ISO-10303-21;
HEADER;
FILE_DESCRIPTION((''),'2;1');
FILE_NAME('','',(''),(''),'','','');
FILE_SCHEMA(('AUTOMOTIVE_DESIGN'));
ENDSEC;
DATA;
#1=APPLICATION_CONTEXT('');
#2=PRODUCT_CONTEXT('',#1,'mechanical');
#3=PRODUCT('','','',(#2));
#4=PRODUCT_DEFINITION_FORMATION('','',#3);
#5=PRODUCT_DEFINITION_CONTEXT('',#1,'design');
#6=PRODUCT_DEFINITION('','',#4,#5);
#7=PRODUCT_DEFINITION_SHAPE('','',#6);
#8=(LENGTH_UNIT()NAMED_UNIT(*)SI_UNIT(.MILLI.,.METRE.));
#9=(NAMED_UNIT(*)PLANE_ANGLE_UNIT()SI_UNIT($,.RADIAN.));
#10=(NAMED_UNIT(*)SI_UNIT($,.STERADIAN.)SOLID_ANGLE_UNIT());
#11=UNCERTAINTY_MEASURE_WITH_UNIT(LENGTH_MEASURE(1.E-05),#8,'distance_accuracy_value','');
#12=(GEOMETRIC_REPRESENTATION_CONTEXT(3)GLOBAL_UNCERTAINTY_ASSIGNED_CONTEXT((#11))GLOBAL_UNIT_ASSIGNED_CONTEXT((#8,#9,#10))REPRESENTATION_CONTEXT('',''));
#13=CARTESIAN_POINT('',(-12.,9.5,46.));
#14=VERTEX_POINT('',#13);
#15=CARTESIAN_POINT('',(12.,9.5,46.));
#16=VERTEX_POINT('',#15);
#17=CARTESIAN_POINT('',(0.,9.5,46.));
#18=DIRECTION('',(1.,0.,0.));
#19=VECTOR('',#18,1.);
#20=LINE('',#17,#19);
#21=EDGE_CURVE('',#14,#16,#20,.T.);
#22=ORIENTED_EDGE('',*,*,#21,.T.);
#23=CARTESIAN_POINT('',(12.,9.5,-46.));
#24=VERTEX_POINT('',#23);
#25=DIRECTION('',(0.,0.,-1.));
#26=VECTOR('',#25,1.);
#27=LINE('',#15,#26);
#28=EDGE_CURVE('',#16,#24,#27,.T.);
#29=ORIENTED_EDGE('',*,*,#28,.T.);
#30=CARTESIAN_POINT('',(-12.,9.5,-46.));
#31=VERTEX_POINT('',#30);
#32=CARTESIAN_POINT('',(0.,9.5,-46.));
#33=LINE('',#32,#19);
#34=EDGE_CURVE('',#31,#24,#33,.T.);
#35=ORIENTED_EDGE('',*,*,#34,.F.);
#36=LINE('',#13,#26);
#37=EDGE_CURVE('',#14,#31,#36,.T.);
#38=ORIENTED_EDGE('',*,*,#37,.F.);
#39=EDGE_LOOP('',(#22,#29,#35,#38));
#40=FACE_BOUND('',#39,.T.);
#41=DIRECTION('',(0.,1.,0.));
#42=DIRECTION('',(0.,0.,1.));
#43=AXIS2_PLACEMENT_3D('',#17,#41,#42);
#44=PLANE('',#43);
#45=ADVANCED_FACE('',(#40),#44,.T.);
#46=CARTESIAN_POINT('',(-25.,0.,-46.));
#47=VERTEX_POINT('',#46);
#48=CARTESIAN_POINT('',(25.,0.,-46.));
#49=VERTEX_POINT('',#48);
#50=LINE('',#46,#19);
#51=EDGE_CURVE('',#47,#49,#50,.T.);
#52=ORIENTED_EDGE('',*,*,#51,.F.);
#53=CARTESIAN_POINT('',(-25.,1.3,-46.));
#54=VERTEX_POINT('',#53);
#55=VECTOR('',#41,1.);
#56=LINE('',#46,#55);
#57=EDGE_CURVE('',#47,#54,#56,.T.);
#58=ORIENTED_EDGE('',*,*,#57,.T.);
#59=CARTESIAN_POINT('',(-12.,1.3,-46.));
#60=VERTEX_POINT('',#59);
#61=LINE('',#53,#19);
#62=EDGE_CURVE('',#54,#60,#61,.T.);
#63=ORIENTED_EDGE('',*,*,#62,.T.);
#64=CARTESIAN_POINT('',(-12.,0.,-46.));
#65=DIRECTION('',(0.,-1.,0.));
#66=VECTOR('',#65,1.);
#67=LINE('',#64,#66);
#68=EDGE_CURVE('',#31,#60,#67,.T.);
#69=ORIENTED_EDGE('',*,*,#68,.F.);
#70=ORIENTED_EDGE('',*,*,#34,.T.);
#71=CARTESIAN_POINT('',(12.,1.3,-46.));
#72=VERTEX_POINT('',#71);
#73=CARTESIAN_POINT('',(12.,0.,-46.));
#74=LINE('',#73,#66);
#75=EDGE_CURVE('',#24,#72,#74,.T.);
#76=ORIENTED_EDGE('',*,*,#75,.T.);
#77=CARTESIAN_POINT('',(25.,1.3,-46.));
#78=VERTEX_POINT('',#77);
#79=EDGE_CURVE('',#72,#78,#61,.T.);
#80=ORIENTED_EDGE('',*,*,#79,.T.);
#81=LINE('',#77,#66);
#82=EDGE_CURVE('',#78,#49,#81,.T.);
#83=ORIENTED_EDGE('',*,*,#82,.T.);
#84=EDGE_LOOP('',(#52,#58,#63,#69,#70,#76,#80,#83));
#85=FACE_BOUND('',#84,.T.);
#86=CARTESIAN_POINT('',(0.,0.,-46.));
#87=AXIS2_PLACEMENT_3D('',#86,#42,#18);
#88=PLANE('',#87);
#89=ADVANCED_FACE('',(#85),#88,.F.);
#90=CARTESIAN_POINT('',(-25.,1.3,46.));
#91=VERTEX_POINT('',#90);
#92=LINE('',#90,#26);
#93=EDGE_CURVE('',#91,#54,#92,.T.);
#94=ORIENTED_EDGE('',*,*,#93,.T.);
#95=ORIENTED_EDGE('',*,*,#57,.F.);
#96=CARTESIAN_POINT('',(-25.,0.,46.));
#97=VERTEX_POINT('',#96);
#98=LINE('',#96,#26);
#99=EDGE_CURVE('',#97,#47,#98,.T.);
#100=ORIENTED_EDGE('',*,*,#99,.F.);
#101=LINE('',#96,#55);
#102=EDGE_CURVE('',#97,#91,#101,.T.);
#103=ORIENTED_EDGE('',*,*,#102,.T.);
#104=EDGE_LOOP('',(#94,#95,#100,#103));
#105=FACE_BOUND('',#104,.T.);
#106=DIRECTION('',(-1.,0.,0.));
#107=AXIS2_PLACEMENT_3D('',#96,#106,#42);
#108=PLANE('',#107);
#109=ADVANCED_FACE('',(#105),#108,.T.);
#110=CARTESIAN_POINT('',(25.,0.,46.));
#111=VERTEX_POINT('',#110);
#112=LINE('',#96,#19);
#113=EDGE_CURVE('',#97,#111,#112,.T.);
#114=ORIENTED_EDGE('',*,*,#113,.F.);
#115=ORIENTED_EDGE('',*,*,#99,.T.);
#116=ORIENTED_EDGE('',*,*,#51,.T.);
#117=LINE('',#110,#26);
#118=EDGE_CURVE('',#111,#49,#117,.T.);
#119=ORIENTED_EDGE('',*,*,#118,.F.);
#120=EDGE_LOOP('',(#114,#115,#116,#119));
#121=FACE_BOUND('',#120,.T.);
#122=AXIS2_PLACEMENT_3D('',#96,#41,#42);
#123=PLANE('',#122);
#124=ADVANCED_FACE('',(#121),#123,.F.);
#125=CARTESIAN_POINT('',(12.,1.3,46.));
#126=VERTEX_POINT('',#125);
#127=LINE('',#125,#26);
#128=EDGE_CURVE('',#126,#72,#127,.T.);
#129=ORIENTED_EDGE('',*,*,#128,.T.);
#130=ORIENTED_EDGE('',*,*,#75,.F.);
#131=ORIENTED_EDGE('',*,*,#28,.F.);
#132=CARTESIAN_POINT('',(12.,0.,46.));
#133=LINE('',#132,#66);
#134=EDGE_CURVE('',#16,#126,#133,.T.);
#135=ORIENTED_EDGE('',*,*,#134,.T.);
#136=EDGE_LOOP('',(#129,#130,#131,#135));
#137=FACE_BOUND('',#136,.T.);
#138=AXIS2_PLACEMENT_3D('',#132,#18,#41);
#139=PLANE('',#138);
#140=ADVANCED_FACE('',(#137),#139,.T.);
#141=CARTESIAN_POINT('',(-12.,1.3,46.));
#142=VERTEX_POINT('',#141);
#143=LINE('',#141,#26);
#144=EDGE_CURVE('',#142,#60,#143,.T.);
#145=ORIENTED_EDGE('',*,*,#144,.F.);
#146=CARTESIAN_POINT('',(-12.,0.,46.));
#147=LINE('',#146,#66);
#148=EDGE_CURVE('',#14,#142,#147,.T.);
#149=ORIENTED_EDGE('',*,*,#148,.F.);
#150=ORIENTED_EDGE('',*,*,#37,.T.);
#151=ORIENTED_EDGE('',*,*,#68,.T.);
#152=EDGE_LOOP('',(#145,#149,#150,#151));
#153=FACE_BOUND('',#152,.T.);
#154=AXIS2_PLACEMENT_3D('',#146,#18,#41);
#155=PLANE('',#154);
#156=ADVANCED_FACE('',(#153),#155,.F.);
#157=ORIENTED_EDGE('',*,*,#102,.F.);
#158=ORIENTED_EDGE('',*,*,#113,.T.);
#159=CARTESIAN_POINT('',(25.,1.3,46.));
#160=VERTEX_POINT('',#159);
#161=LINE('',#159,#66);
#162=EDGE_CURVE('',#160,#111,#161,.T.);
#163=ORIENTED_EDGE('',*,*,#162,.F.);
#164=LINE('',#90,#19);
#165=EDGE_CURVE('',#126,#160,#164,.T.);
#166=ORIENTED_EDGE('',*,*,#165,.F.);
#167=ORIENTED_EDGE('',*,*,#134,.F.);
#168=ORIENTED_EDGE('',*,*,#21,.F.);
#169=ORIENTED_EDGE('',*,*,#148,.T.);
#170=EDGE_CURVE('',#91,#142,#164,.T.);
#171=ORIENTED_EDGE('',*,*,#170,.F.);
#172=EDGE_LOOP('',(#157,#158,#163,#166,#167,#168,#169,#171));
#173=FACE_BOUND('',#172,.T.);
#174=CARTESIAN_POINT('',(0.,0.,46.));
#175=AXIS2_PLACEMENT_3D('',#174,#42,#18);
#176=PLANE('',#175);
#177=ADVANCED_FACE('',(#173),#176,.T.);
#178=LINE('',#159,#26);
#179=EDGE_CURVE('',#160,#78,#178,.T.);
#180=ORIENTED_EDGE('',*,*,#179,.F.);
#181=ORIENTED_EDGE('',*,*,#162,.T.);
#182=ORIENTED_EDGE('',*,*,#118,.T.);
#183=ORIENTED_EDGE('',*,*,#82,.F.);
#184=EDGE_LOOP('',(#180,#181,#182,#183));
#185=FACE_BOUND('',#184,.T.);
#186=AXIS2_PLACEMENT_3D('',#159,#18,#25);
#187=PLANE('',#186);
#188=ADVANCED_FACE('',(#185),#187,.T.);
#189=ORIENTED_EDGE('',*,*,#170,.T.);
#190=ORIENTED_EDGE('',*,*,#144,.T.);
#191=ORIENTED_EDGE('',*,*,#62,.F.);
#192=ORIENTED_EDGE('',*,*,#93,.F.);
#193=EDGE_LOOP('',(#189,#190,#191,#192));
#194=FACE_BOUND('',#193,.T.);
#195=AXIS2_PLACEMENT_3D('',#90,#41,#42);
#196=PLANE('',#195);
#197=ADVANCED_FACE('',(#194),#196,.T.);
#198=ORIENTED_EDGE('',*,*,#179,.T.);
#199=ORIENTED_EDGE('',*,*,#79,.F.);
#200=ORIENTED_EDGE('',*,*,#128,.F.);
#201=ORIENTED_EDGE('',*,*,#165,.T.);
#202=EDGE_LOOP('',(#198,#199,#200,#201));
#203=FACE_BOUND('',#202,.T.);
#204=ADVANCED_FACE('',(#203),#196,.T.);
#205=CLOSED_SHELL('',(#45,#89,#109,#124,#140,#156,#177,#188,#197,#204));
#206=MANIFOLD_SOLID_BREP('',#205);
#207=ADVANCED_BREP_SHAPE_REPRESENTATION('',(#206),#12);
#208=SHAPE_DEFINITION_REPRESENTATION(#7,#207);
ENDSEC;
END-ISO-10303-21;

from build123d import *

# Parameters (mm, degrees)
BOSS_EXTRUDE1_DEPTH = 46


with BuildPart() as part:
    # Sketch1 → Boss-Extrude1 (new, symmetric)
    with BuildSketch(Plane.XY):
        Polygon((-25, 1.3), (-25, 0), (25, 0), (25, 1.3), (12, 1.3), (12, 9.5), (-12, 9.5), (-12, 1.3), align=None)
    extrude(amount=BOSS_EXTRUDE1_DEPTH, both=True)


solid = part.part
